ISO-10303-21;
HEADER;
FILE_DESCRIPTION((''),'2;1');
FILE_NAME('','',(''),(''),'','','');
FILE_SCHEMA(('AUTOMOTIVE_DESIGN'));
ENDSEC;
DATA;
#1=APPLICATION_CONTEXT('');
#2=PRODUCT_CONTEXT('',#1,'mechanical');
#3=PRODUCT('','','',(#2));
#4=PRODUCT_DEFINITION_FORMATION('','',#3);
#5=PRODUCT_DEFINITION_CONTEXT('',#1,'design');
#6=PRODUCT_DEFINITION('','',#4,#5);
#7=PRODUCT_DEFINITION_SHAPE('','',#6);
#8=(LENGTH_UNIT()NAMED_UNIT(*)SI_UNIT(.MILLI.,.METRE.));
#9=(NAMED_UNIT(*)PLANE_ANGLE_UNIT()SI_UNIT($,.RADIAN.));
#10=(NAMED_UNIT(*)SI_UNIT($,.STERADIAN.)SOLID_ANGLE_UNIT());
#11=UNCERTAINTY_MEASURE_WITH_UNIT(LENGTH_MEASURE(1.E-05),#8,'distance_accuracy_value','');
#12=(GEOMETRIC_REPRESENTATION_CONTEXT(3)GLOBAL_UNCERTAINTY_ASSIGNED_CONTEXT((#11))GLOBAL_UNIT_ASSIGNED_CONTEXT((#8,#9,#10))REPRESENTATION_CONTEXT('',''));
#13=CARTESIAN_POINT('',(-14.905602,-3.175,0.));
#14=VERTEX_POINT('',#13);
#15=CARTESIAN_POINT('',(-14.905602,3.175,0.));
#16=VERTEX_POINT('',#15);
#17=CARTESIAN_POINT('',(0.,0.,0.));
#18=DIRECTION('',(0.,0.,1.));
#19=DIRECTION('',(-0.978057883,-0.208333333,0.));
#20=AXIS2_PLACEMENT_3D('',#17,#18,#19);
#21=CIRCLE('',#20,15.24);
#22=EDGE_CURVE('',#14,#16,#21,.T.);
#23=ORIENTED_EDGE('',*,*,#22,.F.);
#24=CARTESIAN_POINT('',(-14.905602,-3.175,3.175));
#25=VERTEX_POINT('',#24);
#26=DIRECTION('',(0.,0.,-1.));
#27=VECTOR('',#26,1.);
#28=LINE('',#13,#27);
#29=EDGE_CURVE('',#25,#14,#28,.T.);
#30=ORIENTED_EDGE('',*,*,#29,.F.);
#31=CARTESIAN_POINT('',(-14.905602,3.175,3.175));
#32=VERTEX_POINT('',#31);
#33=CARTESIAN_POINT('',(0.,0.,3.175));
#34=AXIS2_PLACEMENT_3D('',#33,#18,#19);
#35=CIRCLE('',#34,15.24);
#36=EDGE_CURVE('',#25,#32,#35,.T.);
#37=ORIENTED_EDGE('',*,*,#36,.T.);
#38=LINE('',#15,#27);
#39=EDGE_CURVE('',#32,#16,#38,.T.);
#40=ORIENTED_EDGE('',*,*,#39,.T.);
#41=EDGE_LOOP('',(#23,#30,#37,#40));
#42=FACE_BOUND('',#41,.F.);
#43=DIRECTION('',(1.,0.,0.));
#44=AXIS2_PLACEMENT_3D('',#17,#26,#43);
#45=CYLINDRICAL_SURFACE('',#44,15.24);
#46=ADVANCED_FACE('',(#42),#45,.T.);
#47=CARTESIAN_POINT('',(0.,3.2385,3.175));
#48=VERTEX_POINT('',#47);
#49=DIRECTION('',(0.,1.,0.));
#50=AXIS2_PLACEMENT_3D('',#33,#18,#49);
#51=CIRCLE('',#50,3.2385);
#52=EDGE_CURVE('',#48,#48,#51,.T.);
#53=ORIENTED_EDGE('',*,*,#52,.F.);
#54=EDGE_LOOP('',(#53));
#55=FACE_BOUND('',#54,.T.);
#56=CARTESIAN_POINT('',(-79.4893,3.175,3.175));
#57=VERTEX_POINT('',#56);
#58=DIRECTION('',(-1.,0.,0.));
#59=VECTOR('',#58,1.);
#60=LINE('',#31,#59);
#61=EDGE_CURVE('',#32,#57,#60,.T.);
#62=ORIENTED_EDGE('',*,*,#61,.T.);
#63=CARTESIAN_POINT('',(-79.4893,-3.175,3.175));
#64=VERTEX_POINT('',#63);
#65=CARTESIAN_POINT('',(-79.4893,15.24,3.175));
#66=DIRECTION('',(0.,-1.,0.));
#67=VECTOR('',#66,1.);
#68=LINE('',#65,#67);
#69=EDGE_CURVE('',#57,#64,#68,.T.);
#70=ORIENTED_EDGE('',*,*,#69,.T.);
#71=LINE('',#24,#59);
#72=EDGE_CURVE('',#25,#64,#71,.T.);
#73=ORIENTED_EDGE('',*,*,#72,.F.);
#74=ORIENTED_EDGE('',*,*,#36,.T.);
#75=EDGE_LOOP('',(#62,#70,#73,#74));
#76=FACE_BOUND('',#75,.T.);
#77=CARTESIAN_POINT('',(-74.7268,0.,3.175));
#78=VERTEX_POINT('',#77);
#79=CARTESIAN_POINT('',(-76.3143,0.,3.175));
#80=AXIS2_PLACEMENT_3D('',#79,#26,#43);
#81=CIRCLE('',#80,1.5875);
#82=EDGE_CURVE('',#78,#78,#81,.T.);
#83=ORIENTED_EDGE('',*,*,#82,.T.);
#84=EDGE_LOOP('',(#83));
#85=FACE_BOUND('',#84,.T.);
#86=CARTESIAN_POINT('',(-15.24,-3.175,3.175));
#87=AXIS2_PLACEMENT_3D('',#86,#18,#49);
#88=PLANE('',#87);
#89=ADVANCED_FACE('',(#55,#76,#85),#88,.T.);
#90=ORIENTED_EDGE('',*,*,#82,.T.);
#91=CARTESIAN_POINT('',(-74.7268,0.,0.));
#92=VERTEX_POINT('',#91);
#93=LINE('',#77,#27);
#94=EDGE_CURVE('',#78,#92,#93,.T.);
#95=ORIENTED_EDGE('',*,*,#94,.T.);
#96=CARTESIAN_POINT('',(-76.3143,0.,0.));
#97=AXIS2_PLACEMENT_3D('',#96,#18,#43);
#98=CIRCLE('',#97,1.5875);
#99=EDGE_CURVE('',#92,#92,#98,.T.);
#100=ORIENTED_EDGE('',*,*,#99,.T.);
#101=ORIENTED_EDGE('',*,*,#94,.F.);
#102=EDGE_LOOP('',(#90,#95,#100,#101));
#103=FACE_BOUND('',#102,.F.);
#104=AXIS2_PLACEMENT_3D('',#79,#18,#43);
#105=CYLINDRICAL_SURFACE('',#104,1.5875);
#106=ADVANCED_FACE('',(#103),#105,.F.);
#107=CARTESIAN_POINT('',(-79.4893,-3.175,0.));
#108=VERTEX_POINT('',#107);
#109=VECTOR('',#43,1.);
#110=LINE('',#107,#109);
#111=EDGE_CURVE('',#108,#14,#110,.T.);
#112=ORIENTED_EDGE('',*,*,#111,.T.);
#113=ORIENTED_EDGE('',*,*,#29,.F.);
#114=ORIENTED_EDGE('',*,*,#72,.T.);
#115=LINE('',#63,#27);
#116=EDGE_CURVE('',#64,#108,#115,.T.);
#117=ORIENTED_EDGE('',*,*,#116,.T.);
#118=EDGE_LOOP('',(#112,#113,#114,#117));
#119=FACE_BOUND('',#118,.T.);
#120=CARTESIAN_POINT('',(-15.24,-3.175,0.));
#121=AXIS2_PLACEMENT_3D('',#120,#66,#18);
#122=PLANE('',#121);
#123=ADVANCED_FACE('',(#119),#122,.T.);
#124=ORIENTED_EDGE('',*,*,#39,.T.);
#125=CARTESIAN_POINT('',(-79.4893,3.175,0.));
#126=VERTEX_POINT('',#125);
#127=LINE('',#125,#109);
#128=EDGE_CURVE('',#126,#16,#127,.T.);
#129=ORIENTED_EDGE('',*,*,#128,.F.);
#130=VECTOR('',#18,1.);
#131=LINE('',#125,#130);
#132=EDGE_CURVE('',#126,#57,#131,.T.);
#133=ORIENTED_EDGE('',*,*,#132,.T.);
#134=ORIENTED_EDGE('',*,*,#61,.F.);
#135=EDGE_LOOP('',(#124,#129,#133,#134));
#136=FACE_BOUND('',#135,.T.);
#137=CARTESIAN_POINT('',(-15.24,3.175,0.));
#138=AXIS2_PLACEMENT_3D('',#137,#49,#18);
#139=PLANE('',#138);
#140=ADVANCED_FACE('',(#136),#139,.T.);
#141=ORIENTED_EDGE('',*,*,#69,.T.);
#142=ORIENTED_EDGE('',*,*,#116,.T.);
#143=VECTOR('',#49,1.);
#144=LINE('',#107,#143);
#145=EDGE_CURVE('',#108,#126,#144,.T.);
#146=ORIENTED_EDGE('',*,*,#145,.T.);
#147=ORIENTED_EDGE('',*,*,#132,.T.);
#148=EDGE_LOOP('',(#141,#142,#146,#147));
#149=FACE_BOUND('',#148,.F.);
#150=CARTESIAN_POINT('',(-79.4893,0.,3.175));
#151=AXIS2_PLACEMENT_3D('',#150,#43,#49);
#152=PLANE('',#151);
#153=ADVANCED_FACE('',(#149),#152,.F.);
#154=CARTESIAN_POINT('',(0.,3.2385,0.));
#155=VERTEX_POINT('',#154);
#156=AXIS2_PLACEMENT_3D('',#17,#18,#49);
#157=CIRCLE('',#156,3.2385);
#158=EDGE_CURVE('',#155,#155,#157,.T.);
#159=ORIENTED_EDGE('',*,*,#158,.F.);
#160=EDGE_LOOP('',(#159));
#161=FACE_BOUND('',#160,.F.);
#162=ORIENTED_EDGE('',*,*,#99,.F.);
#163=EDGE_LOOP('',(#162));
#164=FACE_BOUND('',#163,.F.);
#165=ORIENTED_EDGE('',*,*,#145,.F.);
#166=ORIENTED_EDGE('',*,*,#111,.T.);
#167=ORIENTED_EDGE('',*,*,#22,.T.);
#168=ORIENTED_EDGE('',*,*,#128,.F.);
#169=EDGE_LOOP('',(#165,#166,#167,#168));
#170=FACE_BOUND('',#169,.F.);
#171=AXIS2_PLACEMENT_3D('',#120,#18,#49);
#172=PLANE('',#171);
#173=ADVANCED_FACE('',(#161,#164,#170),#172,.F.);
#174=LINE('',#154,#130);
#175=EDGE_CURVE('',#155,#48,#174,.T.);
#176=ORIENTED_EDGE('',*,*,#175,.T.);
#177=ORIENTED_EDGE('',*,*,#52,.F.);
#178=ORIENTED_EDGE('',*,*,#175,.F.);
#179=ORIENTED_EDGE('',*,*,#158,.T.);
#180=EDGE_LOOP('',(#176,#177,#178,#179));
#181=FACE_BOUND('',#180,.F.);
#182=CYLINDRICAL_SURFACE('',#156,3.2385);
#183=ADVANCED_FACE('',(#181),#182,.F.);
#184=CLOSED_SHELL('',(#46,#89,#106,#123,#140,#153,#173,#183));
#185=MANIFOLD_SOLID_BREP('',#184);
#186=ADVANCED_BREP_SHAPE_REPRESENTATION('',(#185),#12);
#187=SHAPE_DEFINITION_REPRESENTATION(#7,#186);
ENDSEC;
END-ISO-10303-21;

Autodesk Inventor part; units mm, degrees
ref_plane "YZ Plane" through (0, 0, 0) normal (1, 0, 0) x (0, 1, 0)
ref_plane "XZ Plane" through (0, 0, 0) normal (0, 1, 0) x (-1, 0, 0)
sketch "Sketch1" plane through (0, 0, 0) normal (0, 0, 1) x (1, 0, 0)
  circle A0 centre (0, 0) radius 15.24
extrude "Extrusion1" add sketch "Sketch1" along normal blind 3.175
sketch "Sketch2" plane through (0, 0, 3.175) normal (0, 0, 1) x (1, 0, 0)
  circle A0 centre (0, 0) radius 15.24 projected
  line L0 (-15.24, 0) -> (-15.24, 3.175)
  line L1 (-15.24, 0) -> (-15.24, -3.175)
  dimension "d3" = 3.175
  dimension "d4" = 3.175
ref_plane "Work Plane1" through (-15.24, 0, 3.175) normal (1, 0, 0) x (0, 1, 0)
sketch "Sketch3" plane through (-15.24, 0, 3.175) normal (1, 0, 0) x (0, 1, 0)
  line L0 (15.24, 0) -> (-15.24, 0) projected
  line L1 (-15.24, -3.175) -> (15.24, -3.175) projected
  line L2 (0, -3.175) -> (3.175, -3.175)
  line L3 (3.175, -3.175) -> (3.175, 0)
  line L4 (3.175, 0) -> (-3.175, 0)
  line L5 (-3.175, 0) -> (-3.175, -3.175)
  line L6 (-3.175, -3.175) -> (3.175, -3.175)
  dimension "d6" = 6.35
extrude "Extrusion2" add sketch "Sketch3" against normal blind 64.2493
sketch "Sketch4" plane through (-15.24, 0, 3.175) normal (1, 0, 0) x (0, 0, -1)
  line L0 (3.175, -3.175) -> (3.175, 0) projected
  line L1 (0, 3.175) -> (3.175, 3.175)
  line L2 (3.175, 3.175) -> (3.175, -3.175)
  line L3 (3.175, -3.175) -> (0, -3.175)
  line L4 (0, -3.175) -> (0, 3.175)
extrude "Extrusion3" add sketch "Sketch4" along normal blind 12.7
sketch "Sketch6" plane through (0, 0, 0) normal (0, 0, -1) x (-1, 0, 0)
  circle A0 centre (0, 0) radius 3.2385
  dimension "d24" = 6.477
hole "Hole1" at (0, 0, 0) direction (0, 0, -1) diameter 6.477 end through all
hole "Hole2" at (0, 0, 0) direction (0, 0, 1) diameter 6.477 depth 7.9375 tip angle 118
sketch "Sketch7" plane through (0, 0, 3.175) normal (0, 0, 1) x (1, 0, 0)
  line L0 (-79.4893, -3.175) -> (-79.4893, 3.175) projected
  line L1 (-79.4893, 0) -> (-76.3143, 0)
  circle A0 centre (-76.3143, 0) radius 1.5875
  point P0 (0, 0)
  dimension "d39" = 3.175
  dimension "d40" = 3.175
extrude "Extrusion6" cut sketch "Sketch7" against normal blind 25.4
properties part number "ClawLinkage"
